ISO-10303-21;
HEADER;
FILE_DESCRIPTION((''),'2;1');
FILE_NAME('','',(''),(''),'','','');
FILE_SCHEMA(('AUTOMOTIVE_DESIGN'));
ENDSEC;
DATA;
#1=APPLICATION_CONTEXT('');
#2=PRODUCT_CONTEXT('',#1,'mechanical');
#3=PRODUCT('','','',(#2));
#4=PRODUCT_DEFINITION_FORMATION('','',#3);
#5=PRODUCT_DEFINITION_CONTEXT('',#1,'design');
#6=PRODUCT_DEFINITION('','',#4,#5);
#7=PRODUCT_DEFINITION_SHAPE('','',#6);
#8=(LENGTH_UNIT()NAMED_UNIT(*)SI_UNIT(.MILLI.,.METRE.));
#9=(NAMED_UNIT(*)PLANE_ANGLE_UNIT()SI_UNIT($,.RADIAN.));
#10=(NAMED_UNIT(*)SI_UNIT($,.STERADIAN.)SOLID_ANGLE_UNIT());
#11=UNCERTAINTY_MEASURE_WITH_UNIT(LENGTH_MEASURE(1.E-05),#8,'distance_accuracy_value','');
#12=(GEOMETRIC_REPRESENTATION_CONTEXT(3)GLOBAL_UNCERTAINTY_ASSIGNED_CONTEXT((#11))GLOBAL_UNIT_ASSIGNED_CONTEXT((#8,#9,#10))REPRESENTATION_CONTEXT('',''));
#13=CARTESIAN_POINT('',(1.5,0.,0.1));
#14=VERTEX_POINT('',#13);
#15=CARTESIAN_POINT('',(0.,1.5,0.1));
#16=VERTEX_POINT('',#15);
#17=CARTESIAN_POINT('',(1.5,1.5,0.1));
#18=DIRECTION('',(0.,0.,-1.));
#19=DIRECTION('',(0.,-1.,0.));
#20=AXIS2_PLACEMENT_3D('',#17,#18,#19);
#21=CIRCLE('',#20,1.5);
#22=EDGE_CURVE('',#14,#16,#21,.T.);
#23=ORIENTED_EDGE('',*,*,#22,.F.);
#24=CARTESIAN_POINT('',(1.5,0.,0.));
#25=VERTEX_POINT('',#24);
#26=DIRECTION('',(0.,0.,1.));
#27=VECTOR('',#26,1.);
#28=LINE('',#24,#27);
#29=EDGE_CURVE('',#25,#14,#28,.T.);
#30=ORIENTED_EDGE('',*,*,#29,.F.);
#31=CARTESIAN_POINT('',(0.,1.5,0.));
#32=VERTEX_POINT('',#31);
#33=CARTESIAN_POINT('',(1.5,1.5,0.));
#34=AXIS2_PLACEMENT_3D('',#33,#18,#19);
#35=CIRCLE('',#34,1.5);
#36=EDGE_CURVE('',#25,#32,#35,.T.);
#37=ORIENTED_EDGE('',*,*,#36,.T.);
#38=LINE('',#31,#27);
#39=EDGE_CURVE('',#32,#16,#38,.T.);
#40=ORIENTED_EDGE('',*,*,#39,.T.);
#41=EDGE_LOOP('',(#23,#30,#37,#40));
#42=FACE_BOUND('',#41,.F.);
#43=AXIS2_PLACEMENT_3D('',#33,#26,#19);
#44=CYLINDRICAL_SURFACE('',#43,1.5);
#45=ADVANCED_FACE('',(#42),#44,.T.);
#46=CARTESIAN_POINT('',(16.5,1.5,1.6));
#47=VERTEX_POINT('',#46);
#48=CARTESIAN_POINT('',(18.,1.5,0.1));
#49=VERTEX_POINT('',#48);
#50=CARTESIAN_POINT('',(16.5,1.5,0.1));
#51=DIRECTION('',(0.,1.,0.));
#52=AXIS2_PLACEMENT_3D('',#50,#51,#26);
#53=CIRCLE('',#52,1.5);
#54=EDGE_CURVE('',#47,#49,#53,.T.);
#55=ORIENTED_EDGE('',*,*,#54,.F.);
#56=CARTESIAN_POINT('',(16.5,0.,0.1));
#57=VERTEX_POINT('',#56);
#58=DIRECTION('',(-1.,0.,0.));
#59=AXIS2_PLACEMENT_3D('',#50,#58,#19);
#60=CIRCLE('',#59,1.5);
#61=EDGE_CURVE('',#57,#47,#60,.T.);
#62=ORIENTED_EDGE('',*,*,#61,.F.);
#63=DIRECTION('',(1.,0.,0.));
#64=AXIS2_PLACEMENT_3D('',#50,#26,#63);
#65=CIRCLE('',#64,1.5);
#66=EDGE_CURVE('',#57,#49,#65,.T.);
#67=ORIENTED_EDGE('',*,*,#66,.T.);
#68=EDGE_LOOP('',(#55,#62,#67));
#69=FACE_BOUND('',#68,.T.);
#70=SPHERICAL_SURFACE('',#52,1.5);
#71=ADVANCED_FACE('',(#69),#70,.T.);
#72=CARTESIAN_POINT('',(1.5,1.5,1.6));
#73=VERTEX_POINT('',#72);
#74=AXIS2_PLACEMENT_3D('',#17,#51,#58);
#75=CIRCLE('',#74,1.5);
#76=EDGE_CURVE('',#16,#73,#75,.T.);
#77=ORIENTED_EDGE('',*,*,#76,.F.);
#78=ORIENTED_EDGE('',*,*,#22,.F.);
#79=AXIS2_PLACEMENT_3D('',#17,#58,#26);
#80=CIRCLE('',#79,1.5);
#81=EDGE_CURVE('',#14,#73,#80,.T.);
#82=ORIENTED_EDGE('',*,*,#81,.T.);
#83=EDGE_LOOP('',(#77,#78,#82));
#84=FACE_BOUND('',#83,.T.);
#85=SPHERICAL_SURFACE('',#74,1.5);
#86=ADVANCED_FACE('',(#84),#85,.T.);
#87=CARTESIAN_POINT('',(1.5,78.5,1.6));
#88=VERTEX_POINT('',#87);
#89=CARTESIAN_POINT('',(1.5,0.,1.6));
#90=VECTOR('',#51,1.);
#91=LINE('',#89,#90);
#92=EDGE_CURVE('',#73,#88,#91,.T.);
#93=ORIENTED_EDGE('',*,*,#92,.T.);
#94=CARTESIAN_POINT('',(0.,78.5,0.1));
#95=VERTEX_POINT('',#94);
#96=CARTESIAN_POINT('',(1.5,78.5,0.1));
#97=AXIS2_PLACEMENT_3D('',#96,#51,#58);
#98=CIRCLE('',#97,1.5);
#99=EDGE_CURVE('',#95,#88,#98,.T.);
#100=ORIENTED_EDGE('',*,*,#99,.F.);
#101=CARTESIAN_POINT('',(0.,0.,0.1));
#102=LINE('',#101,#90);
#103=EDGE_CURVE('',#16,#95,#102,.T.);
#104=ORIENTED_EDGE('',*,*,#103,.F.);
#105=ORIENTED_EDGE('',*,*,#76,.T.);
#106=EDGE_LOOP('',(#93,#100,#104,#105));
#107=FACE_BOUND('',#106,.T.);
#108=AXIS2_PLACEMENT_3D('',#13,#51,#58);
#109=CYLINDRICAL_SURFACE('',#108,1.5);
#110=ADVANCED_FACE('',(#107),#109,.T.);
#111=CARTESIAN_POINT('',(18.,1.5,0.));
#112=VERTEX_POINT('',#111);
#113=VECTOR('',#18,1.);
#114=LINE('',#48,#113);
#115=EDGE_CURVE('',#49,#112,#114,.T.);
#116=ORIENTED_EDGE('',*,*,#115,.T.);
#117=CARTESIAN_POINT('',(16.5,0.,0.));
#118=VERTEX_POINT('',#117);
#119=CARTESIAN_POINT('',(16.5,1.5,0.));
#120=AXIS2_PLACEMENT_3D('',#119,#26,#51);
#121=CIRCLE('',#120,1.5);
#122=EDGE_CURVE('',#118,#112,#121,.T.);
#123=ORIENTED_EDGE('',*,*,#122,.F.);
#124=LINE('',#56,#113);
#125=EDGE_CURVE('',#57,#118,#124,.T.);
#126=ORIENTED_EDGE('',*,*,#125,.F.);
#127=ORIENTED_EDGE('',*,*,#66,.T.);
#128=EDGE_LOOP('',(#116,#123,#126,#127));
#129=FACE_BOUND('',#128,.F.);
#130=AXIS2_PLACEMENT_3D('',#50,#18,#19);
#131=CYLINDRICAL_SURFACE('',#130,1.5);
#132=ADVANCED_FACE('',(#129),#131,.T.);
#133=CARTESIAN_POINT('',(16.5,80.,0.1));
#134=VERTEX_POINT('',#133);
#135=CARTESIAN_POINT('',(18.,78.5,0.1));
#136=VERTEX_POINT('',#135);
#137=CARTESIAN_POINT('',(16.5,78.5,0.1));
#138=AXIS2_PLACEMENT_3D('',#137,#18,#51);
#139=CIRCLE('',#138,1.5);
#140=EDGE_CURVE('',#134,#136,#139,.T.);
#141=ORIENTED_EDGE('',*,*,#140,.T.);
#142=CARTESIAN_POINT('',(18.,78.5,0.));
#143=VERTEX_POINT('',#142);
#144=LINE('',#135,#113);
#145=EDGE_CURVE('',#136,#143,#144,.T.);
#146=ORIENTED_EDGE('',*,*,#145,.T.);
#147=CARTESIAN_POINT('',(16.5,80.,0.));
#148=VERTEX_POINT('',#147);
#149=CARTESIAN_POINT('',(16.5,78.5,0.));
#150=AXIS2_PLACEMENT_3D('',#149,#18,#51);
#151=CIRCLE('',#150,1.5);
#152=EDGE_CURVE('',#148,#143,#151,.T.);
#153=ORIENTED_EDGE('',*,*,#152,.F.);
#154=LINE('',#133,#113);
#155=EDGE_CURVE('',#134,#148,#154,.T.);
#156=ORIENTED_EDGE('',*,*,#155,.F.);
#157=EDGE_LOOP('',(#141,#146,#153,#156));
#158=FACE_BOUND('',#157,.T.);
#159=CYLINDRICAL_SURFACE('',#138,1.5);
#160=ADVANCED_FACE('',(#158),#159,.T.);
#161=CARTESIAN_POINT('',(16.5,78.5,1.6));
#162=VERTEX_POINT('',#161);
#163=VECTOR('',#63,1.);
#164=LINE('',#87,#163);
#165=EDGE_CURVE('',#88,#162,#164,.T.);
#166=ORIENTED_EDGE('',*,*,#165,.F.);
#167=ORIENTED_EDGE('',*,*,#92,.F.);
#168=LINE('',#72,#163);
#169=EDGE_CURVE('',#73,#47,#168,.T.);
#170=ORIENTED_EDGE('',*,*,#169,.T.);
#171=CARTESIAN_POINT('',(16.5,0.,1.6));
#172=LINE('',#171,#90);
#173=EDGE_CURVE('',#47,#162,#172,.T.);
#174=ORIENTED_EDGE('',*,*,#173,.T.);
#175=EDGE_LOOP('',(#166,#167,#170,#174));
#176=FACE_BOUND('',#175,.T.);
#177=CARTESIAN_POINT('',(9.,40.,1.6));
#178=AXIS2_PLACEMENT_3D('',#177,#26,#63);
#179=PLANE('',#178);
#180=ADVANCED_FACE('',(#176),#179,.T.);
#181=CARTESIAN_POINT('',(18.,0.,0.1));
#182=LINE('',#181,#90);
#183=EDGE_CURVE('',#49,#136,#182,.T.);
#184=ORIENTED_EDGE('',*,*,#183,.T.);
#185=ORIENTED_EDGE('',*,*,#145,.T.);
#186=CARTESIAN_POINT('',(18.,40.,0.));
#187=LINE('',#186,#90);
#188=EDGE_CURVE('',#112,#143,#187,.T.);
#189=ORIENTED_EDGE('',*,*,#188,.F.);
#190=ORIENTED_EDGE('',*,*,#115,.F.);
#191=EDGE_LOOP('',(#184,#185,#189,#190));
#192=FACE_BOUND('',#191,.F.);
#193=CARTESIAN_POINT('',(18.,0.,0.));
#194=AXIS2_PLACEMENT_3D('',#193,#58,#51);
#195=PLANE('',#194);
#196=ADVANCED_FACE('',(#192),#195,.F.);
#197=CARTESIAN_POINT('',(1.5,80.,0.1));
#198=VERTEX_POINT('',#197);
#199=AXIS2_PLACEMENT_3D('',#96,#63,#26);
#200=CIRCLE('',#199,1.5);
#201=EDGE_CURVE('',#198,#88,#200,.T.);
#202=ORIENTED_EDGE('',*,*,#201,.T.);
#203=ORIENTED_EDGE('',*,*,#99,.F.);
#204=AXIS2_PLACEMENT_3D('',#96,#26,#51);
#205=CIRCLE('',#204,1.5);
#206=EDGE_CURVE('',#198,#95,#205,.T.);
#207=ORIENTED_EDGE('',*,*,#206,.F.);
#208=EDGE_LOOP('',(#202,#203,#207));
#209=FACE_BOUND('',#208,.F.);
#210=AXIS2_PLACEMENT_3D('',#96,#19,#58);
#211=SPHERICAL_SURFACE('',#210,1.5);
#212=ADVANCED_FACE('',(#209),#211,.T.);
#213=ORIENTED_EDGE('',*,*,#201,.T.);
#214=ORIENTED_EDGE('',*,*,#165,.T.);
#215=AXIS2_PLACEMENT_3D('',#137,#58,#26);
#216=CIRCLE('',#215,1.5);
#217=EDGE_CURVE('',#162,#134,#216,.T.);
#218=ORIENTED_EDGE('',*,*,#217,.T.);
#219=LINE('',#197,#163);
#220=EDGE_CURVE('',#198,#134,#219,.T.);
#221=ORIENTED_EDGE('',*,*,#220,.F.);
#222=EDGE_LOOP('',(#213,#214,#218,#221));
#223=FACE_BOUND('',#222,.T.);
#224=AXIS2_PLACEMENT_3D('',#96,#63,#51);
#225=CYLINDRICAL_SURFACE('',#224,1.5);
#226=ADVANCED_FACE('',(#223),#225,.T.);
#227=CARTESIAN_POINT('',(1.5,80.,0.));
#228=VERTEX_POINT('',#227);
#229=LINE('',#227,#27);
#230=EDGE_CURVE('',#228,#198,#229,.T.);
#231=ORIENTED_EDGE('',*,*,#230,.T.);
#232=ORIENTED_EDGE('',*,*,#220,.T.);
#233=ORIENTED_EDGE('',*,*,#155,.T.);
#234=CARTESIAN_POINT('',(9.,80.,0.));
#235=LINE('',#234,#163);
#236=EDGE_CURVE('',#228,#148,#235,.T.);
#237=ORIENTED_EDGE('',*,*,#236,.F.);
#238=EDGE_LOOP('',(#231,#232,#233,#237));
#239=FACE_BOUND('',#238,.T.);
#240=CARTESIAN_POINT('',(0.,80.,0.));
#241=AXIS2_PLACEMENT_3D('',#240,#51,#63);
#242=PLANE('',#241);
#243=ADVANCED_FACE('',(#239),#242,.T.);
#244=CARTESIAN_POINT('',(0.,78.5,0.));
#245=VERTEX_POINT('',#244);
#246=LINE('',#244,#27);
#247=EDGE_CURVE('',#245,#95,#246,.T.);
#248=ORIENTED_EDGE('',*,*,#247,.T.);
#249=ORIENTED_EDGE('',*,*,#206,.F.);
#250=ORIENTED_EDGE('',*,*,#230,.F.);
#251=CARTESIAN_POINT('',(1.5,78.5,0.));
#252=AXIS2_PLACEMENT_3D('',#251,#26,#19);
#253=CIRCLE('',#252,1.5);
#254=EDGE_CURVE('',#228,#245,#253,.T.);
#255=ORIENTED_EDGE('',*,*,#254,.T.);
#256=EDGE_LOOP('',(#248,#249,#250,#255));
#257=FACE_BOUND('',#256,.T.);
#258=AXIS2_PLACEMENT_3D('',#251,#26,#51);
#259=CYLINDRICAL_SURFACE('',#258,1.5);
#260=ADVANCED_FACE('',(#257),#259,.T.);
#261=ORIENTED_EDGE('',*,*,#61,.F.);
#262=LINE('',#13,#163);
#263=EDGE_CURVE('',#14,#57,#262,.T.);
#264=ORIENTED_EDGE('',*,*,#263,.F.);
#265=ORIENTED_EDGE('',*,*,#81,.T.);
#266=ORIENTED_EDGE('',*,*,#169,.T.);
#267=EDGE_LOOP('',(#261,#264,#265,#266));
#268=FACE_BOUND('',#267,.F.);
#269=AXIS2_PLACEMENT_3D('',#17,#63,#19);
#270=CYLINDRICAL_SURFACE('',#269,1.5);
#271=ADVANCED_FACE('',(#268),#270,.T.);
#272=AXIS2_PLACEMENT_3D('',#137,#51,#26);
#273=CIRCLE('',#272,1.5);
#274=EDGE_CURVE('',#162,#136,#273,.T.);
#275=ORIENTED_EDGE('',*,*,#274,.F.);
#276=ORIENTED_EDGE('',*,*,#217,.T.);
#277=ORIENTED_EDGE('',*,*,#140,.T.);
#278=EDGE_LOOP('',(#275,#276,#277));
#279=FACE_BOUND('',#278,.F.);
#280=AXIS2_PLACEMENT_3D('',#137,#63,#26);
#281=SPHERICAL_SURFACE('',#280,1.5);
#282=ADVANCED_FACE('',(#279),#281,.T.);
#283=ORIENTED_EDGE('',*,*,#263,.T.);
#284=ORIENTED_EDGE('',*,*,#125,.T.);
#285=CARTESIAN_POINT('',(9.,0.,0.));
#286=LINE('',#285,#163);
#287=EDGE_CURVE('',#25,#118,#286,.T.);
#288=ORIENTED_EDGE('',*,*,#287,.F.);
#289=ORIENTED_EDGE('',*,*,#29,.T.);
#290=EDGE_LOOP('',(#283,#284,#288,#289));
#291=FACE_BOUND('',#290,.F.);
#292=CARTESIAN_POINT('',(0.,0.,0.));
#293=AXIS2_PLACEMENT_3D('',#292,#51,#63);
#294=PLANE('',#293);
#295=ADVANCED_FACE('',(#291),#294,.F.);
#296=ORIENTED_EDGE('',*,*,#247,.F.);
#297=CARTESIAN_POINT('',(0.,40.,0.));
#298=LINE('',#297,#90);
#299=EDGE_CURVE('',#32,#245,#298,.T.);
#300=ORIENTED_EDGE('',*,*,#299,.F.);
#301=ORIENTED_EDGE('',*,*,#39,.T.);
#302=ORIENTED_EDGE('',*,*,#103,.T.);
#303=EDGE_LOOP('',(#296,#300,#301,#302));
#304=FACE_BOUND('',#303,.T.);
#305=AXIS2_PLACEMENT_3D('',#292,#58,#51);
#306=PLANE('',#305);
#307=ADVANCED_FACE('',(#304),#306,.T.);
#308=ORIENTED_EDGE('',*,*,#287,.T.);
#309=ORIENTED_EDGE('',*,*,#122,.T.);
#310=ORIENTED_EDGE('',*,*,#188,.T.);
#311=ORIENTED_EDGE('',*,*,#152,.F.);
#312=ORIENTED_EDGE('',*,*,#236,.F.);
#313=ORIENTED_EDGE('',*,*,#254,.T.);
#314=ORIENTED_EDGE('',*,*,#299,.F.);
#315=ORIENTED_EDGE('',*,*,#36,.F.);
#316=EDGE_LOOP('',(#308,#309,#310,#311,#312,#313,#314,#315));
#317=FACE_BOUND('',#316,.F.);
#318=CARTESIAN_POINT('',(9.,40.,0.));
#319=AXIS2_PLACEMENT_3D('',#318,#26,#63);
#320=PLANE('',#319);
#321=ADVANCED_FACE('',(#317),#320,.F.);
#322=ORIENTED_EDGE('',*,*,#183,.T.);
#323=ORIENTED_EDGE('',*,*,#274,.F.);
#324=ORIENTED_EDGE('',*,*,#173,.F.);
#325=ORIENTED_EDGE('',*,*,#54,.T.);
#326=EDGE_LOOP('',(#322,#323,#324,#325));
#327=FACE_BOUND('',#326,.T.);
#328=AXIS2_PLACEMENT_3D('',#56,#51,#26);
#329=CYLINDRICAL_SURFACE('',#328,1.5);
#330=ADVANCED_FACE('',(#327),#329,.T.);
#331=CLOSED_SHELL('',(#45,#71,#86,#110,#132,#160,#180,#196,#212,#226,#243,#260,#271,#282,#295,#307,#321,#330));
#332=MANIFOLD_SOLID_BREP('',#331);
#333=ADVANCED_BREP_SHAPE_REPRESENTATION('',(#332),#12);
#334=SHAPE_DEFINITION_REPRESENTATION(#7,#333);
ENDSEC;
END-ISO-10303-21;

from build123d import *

# Parameters (mm, degrees)
SKETCH_W    = 18
SKETCH_H    = 80
PAD_DEPTH   = 1.6
FILLET_R    = 1.5
FILLET001_R = 1.5
FILLET002_R = 1.5
FILLET003_R = 1.5


with BuildPart() as part:
    # Sketch → Pad (new body)
    with BuildSketch(Plane.XY):
        with Locations((9, 40)):
            Rectangle(SKETCH_W, SKETCH_H)
    extrude(amount=PAD_DEPTH)

    # Fillet
    fillet_edges = [part.edges().sort_by_distance(p)[0] for p in [
        (0, 40, 1.6),
    ]]
    fillet(fillet_edges, radius=FILLET_R)

    # Fillet001
    fillet001_edges = [part.edges().sort_by_distance(p)[0] for p in [
        (9.75, 80, 1.6),
    ]]
    fillet(fillet001_edges, radius=FILLET001_R)

    # Fillet002
    fillet002_edges = [part.edges().sort_by_distance(p)[0] for p in [
        (18, 39.25, 1.6),
    ]]
    fillet(fillet002_edges, radius=FILLET002_R)

    # Fillet003
    fillet003_edges = [part.edges().sort_by_distance(p)[0] for p in [
        (9, 0, 1.6),
    ]]
    fillet(fillet003_edges, radius=FILLET003_R)


solid = part.part
